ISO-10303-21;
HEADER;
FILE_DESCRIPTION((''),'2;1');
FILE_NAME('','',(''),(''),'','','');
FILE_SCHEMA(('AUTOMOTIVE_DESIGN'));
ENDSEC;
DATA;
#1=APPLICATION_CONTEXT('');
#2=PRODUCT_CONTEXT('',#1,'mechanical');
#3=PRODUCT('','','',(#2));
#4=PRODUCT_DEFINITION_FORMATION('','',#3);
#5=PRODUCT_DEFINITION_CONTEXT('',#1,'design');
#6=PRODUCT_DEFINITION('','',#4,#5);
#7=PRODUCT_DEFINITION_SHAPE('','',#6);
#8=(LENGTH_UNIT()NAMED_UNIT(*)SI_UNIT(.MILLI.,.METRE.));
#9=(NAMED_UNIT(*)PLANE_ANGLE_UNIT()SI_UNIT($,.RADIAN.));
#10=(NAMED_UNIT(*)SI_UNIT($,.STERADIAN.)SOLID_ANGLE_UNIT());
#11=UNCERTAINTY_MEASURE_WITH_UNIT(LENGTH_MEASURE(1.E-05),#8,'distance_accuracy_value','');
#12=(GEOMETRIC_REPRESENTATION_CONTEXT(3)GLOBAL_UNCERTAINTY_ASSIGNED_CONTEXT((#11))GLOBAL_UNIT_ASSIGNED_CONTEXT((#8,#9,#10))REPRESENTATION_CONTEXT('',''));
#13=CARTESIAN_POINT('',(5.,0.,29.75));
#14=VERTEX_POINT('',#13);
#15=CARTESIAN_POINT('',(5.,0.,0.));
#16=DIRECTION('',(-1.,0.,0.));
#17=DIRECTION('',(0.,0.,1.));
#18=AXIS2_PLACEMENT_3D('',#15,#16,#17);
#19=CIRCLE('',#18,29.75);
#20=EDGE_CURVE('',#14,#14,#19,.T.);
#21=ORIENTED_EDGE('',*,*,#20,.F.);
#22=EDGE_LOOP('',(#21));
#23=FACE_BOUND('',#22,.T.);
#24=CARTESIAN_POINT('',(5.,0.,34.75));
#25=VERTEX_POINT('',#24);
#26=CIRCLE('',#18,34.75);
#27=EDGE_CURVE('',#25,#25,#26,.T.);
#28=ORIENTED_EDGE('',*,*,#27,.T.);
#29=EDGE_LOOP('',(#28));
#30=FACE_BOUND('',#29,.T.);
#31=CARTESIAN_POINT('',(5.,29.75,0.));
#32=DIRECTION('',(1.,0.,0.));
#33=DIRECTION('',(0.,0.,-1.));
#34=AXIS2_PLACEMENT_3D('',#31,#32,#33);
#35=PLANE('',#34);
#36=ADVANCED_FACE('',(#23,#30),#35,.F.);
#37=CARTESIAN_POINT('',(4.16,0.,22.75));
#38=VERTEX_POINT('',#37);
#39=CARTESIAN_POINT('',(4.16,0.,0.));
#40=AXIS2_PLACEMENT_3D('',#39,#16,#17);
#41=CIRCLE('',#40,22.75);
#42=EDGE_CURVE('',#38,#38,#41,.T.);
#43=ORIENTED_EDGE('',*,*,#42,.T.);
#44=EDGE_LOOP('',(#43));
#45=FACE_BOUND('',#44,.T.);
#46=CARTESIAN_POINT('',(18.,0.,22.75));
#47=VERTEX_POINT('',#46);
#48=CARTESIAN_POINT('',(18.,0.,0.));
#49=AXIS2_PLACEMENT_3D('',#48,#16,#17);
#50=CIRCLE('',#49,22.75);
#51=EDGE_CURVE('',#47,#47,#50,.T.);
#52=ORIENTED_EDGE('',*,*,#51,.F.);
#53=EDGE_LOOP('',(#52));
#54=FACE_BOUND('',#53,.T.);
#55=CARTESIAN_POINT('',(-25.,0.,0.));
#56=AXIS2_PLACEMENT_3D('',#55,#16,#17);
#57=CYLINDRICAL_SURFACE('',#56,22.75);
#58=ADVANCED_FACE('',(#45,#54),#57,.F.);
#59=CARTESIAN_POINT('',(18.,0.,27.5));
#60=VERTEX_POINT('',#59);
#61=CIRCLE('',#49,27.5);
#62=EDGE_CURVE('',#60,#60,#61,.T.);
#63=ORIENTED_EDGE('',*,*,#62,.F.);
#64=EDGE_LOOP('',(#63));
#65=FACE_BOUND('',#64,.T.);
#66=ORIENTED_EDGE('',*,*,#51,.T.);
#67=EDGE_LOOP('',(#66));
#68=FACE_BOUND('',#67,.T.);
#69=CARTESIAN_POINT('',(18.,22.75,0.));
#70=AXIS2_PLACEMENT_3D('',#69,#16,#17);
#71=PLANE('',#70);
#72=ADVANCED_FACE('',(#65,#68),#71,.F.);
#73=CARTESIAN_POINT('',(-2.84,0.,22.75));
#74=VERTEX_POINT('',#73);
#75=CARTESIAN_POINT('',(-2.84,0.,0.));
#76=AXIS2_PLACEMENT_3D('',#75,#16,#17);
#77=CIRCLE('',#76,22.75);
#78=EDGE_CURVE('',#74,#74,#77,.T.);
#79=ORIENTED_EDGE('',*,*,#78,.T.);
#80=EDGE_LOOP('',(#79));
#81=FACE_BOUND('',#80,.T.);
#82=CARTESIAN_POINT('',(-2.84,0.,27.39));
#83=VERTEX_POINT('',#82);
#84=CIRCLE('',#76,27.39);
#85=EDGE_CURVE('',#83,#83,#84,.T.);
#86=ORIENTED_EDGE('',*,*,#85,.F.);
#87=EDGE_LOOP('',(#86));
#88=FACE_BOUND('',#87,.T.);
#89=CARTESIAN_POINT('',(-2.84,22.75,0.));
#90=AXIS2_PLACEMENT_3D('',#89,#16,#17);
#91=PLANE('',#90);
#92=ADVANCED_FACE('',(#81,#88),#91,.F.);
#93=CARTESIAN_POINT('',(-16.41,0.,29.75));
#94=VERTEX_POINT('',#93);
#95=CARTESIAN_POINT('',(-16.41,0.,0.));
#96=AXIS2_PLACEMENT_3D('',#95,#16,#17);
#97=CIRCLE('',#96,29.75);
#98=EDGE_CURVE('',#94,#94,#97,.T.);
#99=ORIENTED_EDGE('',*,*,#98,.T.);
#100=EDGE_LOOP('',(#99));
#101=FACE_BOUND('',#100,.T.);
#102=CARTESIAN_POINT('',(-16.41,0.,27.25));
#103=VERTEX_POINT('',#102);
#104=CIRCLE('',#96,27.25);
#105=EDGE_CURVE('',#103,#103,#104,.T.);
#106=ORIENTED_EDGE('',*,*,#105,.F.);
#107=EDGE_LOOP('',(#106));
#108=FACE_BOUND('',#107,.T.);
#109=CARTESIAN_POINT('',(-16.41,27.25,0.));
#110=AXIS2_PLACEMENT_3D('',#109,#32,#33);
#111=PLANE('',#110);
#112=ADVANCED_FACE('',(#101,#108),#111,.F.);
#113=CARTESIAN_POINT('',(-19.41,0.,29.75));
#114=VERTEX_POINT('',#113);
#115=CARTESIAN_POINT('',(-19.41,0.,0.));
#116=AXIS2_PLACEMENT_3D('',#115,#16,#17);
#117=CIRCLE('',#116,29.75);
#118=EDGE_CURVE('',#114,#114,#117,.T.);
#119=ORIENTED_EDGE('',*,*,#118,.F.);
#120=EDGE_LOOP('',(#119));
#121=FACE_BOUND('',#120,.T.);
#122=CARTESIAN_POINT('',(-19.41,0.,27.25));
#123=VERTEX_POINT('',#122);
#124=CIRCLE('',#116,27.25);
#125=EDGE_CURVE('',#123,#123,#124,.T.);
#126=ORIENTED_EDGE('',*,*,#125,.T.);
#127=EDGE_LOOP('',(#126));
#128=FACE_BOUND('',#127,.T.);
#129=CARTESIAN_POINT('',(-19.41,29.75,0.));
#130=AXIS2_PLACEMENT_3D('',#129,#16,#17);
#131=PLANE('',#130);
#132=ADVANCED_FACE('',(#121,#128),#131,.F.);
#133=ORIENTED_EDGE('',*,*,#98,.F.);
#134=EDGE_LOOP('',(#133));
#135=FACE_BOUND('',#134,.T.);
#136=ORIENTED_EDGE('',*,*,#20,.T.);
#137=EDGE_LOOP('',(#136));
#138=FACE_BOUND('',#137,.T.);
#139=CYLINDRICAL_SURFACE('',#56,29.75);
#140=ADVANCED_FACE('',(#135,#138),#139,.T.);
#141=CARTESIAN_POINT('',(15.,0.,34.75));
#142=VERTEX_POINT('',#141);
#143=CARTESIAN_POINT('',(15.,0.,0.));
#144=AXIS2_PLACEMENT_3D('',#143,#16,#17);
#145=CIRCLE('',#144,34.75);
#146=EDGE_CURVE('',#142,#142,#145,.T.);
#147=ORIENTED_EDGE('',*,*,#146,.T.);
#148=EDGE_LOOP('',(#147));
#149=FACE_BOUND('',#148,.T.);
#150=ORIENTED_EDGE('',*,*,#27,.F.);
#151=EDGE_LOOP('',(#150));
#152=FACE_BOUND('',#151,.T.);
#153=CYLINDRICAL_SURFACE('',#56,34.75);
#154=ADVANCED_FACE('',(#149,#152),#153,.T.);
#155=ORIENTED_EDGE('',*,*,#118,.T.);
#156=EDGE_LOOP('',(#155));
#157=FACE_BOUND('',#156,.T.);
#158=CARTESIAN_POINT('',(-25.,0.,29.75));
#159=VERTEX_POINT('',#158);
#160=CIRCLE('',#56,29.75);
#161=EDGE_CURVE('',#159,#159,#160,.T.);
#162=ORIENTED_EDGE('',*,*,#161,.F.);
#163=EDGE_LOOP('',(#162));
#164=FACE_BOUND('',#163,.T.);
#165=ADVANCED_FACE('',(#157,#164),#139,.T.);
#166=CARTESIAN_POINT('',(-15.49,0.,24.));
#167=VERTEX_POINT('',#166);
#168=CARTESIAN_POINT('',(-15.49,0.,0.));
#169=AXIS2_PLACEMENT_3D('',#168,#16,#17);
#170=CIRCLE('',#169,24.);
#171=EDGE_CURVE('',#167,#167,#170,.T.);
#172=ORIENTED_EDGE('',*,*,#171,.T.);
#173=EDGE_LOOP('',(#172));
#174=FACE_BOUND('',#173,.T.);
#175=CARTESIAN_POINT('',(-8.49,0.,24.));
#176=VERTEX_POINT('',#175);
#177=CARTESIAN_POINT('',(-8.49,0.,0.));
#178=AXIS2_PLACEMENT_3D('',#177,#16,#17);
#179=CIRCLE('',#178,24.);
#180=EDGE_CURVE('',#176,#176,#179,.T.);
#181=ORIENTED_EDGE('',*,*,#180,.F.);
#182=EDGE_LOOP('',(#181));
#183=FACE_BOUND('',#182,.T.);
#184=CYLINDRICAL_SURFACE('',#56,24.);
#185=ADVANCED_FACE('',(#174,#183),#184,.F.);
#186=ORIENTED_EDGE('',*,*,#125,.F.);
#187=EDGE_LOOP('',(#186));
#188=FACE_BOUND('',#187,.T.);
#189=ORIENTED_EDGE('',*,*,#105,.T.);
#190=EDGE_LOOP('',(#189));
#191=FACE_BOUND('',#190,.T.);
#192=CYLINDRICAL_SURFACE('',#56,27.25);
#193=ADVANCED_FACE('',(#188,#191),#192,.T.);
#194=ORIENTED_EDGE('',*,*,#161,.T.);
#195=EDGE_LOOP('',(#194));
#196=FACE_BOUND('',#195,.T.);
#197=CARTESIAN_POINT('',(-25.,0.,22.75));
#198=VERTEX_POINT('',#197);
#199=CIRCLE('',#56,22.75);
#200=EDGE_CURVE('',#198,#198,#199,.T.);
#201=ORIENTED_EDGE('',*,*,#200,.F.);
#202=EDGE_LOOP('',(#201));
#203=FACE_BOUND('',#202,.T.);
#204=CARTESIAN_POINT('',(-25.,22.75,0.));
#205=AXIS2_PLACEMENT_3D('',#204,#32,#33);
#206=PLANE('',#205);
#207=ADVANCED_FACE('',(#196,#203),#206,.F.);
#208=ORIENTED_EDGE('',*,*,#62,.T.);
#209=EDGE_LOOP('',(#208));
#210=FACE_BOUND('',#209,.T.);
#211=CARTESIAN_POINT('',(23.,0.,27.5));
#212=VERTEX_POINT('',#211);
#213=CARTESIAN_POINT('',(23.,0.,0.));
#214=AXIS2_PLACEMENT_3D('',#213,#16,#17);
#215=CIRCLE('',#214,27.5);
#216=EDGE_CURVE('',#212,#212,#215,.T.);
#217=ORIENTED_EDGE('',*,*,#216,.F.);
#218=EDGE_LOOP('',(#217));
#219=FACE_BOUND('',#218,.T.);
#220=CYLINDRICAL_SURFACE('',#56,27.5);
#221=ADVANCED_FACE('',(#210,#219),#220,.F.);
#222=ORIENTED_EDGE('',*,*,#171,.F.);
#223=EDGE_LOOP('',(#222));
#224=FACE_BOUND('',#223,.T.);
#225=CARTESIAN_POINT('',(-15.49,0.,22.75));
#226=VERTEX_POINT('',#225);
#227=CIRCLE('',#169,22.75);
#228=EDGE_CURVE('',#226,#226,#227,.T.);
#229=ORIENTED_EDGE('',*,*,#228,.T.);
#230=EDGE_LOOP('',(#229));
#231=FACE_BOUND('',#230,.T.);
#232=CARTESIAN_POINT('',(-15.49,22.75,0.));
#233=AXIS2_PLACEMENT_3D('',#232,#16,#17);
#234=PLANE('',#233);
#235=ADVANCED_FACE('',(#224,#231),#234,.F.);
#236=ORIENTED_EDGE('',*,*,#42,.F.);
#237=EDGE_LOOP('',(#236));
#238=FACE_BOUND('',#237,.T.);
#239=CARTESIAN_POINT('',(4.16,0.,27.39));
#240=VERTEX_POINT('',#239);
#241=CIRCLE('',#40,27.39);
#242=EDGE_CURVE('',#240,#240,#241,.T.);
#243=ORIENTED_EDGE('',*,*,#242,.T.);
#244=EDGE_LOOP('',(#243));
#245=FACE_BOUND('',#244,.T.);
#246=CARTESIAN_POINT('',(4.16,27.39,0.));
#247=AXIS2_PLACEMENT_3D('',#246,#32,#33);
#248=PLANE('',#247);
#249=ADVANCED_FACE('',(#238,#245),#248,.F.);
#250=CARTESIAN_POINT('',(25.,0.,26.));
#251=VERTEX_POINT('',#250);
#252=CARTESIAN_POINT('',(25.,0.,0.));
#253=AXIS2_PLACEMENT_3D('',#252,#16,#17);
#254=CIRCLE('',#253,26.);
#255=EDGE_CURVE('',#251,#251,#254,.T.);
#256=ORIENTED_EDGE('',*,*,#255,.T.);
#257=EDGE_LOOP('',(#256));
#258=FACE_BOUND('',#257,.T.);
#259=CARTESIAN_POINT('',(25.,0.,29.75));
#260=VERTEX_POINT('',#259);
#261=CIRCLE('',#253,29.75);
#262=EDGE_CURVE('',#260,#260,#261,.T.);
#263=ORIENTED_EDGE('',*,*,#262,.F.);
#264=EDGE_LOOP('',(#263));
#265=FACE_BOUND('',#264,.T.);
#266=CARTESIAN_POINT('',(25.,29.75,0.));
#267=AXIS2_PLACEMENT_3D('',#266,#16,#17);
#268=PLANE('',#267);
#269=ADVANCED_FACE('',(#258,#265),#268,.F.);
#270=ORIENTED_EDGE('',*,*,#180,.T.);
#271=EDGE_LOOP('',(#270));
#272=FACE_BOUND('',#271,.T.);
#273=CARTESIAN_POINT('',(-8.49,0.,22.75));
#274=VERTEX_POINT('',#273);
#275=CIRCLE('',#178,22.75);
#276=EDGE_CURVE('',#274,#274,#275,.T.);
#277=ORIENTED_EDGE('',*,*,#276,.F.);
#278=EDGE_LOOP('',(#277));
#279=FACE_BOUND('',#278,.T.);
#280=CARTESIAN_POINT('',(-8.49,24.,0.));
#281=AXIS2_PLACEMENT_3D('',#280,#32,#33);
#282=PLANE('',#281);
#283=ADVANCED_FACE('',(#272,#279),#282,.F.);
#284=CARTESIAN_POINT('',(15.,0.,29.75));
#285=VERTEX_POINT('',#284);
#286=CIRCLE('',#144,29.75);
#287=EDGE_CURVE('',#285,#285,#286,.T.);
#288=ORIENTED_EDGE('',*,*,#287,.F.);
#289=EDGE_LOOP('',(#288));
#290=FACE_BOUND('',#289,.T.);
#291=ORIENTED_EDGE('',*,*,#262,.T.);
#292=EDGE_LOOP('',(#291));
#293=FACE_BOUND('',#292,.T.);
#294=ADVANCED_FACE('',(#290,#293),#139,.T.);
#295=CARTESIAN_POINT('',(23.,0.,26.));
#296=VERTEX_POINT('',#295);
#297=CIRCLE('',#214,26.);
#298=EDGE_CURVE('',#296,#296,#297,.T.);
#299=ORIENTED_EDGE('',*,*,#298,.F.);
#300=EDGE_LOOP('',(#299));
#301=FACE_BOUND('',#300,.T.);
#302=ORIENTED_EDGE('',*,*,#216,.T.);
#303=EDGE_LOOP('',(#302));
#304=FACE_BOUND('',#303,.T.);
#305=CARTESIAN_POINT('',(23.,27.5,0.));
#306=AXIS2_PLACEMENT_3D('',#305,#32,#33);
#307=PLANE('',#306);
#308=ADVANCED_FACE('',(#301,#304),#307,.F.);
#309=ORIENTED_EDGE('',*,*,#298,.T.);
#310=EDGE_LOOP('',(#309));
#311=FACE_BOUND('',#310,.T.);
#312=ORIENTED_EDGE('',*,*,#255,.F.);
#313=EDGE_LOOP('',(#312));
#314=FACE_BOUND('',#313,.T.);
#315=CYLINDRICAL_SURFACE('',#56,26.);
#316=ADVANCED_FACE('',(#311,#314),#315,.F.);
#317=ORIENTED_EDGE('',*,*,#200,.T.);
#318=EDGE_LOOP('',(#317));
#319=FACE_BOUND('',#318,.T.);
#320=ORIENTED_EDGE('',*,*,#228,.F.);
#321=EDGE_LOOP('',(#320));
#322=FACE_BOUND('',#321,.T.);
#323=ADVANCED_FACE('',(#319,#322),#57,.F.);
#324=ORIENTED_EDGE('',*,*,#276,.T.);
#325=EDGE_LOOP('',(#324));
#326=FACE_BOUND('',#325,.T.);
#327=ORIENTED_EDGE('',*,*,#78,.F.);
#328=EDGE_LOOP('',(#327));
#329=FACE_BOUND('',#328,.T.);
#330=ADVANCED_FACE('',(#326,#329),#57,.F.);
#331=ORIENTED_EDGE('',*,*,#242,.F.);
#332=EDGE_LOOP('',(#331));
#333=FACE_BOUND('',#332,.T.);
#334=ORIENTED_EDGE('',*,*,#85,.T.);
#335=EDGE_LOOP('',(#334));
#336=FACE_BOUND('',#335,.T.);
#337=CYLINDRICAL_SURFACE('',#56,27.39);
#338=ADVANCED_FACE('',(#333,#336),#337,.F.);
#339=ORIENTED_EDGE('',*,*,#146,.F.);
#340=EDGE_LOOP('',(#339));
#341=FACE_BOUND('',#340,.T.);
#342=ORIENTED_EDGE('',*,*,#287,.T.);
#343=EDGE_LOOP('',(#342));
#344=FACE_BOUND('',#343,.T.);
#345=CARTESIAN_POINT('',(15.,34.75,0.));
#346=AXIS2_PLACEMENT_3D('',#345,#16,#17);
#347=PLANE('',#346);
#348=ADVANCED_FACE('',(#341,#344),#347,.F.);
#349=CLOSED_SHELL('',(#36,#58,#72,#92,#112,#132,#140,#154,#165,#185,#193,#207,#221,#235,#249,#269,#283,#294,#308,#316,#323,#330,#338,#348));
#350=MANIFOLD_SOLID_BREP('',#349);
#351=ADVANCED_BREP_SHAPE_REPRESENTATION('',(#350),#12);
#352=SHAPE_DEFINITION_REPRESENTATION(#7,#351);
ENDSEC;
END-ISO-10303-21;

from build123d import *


with BuildPart() as part:
    # Sketch1 → Revolve1 (revolve)
    with BuildSketch(Plane.XY, mode=Mode.PRIVATE) as revolve1_sk:
        Polygon((-25, 22.75), (-15.49, 22.75), (-15.49, 24), (-8.49, 24), (-8.49, 22.75), (-2.84, 22.75), (-2.84, 27.39), (4.16, 27.39), (4.16, 22.75), (18, 22.75), (18, 27.5), (23, 27.5), (23, 26), (25, 26), (25, 29.75), (15, 29.75), (15, 34.75), (5, 34.75), (5, 29.75), (-16.41, 29.75), (-16.41, 27.25), (-19.41, 27.25), (-19.41, 29.75), (-25, 29.75), align=None)
    revolve(revolve1_sk.sketch.rotate(Axis((-25, 0, 0), (1, 0, 0)), 90), axis=Axis((-25, 0, 0), (1, 0, 0)))


solid = part.part
